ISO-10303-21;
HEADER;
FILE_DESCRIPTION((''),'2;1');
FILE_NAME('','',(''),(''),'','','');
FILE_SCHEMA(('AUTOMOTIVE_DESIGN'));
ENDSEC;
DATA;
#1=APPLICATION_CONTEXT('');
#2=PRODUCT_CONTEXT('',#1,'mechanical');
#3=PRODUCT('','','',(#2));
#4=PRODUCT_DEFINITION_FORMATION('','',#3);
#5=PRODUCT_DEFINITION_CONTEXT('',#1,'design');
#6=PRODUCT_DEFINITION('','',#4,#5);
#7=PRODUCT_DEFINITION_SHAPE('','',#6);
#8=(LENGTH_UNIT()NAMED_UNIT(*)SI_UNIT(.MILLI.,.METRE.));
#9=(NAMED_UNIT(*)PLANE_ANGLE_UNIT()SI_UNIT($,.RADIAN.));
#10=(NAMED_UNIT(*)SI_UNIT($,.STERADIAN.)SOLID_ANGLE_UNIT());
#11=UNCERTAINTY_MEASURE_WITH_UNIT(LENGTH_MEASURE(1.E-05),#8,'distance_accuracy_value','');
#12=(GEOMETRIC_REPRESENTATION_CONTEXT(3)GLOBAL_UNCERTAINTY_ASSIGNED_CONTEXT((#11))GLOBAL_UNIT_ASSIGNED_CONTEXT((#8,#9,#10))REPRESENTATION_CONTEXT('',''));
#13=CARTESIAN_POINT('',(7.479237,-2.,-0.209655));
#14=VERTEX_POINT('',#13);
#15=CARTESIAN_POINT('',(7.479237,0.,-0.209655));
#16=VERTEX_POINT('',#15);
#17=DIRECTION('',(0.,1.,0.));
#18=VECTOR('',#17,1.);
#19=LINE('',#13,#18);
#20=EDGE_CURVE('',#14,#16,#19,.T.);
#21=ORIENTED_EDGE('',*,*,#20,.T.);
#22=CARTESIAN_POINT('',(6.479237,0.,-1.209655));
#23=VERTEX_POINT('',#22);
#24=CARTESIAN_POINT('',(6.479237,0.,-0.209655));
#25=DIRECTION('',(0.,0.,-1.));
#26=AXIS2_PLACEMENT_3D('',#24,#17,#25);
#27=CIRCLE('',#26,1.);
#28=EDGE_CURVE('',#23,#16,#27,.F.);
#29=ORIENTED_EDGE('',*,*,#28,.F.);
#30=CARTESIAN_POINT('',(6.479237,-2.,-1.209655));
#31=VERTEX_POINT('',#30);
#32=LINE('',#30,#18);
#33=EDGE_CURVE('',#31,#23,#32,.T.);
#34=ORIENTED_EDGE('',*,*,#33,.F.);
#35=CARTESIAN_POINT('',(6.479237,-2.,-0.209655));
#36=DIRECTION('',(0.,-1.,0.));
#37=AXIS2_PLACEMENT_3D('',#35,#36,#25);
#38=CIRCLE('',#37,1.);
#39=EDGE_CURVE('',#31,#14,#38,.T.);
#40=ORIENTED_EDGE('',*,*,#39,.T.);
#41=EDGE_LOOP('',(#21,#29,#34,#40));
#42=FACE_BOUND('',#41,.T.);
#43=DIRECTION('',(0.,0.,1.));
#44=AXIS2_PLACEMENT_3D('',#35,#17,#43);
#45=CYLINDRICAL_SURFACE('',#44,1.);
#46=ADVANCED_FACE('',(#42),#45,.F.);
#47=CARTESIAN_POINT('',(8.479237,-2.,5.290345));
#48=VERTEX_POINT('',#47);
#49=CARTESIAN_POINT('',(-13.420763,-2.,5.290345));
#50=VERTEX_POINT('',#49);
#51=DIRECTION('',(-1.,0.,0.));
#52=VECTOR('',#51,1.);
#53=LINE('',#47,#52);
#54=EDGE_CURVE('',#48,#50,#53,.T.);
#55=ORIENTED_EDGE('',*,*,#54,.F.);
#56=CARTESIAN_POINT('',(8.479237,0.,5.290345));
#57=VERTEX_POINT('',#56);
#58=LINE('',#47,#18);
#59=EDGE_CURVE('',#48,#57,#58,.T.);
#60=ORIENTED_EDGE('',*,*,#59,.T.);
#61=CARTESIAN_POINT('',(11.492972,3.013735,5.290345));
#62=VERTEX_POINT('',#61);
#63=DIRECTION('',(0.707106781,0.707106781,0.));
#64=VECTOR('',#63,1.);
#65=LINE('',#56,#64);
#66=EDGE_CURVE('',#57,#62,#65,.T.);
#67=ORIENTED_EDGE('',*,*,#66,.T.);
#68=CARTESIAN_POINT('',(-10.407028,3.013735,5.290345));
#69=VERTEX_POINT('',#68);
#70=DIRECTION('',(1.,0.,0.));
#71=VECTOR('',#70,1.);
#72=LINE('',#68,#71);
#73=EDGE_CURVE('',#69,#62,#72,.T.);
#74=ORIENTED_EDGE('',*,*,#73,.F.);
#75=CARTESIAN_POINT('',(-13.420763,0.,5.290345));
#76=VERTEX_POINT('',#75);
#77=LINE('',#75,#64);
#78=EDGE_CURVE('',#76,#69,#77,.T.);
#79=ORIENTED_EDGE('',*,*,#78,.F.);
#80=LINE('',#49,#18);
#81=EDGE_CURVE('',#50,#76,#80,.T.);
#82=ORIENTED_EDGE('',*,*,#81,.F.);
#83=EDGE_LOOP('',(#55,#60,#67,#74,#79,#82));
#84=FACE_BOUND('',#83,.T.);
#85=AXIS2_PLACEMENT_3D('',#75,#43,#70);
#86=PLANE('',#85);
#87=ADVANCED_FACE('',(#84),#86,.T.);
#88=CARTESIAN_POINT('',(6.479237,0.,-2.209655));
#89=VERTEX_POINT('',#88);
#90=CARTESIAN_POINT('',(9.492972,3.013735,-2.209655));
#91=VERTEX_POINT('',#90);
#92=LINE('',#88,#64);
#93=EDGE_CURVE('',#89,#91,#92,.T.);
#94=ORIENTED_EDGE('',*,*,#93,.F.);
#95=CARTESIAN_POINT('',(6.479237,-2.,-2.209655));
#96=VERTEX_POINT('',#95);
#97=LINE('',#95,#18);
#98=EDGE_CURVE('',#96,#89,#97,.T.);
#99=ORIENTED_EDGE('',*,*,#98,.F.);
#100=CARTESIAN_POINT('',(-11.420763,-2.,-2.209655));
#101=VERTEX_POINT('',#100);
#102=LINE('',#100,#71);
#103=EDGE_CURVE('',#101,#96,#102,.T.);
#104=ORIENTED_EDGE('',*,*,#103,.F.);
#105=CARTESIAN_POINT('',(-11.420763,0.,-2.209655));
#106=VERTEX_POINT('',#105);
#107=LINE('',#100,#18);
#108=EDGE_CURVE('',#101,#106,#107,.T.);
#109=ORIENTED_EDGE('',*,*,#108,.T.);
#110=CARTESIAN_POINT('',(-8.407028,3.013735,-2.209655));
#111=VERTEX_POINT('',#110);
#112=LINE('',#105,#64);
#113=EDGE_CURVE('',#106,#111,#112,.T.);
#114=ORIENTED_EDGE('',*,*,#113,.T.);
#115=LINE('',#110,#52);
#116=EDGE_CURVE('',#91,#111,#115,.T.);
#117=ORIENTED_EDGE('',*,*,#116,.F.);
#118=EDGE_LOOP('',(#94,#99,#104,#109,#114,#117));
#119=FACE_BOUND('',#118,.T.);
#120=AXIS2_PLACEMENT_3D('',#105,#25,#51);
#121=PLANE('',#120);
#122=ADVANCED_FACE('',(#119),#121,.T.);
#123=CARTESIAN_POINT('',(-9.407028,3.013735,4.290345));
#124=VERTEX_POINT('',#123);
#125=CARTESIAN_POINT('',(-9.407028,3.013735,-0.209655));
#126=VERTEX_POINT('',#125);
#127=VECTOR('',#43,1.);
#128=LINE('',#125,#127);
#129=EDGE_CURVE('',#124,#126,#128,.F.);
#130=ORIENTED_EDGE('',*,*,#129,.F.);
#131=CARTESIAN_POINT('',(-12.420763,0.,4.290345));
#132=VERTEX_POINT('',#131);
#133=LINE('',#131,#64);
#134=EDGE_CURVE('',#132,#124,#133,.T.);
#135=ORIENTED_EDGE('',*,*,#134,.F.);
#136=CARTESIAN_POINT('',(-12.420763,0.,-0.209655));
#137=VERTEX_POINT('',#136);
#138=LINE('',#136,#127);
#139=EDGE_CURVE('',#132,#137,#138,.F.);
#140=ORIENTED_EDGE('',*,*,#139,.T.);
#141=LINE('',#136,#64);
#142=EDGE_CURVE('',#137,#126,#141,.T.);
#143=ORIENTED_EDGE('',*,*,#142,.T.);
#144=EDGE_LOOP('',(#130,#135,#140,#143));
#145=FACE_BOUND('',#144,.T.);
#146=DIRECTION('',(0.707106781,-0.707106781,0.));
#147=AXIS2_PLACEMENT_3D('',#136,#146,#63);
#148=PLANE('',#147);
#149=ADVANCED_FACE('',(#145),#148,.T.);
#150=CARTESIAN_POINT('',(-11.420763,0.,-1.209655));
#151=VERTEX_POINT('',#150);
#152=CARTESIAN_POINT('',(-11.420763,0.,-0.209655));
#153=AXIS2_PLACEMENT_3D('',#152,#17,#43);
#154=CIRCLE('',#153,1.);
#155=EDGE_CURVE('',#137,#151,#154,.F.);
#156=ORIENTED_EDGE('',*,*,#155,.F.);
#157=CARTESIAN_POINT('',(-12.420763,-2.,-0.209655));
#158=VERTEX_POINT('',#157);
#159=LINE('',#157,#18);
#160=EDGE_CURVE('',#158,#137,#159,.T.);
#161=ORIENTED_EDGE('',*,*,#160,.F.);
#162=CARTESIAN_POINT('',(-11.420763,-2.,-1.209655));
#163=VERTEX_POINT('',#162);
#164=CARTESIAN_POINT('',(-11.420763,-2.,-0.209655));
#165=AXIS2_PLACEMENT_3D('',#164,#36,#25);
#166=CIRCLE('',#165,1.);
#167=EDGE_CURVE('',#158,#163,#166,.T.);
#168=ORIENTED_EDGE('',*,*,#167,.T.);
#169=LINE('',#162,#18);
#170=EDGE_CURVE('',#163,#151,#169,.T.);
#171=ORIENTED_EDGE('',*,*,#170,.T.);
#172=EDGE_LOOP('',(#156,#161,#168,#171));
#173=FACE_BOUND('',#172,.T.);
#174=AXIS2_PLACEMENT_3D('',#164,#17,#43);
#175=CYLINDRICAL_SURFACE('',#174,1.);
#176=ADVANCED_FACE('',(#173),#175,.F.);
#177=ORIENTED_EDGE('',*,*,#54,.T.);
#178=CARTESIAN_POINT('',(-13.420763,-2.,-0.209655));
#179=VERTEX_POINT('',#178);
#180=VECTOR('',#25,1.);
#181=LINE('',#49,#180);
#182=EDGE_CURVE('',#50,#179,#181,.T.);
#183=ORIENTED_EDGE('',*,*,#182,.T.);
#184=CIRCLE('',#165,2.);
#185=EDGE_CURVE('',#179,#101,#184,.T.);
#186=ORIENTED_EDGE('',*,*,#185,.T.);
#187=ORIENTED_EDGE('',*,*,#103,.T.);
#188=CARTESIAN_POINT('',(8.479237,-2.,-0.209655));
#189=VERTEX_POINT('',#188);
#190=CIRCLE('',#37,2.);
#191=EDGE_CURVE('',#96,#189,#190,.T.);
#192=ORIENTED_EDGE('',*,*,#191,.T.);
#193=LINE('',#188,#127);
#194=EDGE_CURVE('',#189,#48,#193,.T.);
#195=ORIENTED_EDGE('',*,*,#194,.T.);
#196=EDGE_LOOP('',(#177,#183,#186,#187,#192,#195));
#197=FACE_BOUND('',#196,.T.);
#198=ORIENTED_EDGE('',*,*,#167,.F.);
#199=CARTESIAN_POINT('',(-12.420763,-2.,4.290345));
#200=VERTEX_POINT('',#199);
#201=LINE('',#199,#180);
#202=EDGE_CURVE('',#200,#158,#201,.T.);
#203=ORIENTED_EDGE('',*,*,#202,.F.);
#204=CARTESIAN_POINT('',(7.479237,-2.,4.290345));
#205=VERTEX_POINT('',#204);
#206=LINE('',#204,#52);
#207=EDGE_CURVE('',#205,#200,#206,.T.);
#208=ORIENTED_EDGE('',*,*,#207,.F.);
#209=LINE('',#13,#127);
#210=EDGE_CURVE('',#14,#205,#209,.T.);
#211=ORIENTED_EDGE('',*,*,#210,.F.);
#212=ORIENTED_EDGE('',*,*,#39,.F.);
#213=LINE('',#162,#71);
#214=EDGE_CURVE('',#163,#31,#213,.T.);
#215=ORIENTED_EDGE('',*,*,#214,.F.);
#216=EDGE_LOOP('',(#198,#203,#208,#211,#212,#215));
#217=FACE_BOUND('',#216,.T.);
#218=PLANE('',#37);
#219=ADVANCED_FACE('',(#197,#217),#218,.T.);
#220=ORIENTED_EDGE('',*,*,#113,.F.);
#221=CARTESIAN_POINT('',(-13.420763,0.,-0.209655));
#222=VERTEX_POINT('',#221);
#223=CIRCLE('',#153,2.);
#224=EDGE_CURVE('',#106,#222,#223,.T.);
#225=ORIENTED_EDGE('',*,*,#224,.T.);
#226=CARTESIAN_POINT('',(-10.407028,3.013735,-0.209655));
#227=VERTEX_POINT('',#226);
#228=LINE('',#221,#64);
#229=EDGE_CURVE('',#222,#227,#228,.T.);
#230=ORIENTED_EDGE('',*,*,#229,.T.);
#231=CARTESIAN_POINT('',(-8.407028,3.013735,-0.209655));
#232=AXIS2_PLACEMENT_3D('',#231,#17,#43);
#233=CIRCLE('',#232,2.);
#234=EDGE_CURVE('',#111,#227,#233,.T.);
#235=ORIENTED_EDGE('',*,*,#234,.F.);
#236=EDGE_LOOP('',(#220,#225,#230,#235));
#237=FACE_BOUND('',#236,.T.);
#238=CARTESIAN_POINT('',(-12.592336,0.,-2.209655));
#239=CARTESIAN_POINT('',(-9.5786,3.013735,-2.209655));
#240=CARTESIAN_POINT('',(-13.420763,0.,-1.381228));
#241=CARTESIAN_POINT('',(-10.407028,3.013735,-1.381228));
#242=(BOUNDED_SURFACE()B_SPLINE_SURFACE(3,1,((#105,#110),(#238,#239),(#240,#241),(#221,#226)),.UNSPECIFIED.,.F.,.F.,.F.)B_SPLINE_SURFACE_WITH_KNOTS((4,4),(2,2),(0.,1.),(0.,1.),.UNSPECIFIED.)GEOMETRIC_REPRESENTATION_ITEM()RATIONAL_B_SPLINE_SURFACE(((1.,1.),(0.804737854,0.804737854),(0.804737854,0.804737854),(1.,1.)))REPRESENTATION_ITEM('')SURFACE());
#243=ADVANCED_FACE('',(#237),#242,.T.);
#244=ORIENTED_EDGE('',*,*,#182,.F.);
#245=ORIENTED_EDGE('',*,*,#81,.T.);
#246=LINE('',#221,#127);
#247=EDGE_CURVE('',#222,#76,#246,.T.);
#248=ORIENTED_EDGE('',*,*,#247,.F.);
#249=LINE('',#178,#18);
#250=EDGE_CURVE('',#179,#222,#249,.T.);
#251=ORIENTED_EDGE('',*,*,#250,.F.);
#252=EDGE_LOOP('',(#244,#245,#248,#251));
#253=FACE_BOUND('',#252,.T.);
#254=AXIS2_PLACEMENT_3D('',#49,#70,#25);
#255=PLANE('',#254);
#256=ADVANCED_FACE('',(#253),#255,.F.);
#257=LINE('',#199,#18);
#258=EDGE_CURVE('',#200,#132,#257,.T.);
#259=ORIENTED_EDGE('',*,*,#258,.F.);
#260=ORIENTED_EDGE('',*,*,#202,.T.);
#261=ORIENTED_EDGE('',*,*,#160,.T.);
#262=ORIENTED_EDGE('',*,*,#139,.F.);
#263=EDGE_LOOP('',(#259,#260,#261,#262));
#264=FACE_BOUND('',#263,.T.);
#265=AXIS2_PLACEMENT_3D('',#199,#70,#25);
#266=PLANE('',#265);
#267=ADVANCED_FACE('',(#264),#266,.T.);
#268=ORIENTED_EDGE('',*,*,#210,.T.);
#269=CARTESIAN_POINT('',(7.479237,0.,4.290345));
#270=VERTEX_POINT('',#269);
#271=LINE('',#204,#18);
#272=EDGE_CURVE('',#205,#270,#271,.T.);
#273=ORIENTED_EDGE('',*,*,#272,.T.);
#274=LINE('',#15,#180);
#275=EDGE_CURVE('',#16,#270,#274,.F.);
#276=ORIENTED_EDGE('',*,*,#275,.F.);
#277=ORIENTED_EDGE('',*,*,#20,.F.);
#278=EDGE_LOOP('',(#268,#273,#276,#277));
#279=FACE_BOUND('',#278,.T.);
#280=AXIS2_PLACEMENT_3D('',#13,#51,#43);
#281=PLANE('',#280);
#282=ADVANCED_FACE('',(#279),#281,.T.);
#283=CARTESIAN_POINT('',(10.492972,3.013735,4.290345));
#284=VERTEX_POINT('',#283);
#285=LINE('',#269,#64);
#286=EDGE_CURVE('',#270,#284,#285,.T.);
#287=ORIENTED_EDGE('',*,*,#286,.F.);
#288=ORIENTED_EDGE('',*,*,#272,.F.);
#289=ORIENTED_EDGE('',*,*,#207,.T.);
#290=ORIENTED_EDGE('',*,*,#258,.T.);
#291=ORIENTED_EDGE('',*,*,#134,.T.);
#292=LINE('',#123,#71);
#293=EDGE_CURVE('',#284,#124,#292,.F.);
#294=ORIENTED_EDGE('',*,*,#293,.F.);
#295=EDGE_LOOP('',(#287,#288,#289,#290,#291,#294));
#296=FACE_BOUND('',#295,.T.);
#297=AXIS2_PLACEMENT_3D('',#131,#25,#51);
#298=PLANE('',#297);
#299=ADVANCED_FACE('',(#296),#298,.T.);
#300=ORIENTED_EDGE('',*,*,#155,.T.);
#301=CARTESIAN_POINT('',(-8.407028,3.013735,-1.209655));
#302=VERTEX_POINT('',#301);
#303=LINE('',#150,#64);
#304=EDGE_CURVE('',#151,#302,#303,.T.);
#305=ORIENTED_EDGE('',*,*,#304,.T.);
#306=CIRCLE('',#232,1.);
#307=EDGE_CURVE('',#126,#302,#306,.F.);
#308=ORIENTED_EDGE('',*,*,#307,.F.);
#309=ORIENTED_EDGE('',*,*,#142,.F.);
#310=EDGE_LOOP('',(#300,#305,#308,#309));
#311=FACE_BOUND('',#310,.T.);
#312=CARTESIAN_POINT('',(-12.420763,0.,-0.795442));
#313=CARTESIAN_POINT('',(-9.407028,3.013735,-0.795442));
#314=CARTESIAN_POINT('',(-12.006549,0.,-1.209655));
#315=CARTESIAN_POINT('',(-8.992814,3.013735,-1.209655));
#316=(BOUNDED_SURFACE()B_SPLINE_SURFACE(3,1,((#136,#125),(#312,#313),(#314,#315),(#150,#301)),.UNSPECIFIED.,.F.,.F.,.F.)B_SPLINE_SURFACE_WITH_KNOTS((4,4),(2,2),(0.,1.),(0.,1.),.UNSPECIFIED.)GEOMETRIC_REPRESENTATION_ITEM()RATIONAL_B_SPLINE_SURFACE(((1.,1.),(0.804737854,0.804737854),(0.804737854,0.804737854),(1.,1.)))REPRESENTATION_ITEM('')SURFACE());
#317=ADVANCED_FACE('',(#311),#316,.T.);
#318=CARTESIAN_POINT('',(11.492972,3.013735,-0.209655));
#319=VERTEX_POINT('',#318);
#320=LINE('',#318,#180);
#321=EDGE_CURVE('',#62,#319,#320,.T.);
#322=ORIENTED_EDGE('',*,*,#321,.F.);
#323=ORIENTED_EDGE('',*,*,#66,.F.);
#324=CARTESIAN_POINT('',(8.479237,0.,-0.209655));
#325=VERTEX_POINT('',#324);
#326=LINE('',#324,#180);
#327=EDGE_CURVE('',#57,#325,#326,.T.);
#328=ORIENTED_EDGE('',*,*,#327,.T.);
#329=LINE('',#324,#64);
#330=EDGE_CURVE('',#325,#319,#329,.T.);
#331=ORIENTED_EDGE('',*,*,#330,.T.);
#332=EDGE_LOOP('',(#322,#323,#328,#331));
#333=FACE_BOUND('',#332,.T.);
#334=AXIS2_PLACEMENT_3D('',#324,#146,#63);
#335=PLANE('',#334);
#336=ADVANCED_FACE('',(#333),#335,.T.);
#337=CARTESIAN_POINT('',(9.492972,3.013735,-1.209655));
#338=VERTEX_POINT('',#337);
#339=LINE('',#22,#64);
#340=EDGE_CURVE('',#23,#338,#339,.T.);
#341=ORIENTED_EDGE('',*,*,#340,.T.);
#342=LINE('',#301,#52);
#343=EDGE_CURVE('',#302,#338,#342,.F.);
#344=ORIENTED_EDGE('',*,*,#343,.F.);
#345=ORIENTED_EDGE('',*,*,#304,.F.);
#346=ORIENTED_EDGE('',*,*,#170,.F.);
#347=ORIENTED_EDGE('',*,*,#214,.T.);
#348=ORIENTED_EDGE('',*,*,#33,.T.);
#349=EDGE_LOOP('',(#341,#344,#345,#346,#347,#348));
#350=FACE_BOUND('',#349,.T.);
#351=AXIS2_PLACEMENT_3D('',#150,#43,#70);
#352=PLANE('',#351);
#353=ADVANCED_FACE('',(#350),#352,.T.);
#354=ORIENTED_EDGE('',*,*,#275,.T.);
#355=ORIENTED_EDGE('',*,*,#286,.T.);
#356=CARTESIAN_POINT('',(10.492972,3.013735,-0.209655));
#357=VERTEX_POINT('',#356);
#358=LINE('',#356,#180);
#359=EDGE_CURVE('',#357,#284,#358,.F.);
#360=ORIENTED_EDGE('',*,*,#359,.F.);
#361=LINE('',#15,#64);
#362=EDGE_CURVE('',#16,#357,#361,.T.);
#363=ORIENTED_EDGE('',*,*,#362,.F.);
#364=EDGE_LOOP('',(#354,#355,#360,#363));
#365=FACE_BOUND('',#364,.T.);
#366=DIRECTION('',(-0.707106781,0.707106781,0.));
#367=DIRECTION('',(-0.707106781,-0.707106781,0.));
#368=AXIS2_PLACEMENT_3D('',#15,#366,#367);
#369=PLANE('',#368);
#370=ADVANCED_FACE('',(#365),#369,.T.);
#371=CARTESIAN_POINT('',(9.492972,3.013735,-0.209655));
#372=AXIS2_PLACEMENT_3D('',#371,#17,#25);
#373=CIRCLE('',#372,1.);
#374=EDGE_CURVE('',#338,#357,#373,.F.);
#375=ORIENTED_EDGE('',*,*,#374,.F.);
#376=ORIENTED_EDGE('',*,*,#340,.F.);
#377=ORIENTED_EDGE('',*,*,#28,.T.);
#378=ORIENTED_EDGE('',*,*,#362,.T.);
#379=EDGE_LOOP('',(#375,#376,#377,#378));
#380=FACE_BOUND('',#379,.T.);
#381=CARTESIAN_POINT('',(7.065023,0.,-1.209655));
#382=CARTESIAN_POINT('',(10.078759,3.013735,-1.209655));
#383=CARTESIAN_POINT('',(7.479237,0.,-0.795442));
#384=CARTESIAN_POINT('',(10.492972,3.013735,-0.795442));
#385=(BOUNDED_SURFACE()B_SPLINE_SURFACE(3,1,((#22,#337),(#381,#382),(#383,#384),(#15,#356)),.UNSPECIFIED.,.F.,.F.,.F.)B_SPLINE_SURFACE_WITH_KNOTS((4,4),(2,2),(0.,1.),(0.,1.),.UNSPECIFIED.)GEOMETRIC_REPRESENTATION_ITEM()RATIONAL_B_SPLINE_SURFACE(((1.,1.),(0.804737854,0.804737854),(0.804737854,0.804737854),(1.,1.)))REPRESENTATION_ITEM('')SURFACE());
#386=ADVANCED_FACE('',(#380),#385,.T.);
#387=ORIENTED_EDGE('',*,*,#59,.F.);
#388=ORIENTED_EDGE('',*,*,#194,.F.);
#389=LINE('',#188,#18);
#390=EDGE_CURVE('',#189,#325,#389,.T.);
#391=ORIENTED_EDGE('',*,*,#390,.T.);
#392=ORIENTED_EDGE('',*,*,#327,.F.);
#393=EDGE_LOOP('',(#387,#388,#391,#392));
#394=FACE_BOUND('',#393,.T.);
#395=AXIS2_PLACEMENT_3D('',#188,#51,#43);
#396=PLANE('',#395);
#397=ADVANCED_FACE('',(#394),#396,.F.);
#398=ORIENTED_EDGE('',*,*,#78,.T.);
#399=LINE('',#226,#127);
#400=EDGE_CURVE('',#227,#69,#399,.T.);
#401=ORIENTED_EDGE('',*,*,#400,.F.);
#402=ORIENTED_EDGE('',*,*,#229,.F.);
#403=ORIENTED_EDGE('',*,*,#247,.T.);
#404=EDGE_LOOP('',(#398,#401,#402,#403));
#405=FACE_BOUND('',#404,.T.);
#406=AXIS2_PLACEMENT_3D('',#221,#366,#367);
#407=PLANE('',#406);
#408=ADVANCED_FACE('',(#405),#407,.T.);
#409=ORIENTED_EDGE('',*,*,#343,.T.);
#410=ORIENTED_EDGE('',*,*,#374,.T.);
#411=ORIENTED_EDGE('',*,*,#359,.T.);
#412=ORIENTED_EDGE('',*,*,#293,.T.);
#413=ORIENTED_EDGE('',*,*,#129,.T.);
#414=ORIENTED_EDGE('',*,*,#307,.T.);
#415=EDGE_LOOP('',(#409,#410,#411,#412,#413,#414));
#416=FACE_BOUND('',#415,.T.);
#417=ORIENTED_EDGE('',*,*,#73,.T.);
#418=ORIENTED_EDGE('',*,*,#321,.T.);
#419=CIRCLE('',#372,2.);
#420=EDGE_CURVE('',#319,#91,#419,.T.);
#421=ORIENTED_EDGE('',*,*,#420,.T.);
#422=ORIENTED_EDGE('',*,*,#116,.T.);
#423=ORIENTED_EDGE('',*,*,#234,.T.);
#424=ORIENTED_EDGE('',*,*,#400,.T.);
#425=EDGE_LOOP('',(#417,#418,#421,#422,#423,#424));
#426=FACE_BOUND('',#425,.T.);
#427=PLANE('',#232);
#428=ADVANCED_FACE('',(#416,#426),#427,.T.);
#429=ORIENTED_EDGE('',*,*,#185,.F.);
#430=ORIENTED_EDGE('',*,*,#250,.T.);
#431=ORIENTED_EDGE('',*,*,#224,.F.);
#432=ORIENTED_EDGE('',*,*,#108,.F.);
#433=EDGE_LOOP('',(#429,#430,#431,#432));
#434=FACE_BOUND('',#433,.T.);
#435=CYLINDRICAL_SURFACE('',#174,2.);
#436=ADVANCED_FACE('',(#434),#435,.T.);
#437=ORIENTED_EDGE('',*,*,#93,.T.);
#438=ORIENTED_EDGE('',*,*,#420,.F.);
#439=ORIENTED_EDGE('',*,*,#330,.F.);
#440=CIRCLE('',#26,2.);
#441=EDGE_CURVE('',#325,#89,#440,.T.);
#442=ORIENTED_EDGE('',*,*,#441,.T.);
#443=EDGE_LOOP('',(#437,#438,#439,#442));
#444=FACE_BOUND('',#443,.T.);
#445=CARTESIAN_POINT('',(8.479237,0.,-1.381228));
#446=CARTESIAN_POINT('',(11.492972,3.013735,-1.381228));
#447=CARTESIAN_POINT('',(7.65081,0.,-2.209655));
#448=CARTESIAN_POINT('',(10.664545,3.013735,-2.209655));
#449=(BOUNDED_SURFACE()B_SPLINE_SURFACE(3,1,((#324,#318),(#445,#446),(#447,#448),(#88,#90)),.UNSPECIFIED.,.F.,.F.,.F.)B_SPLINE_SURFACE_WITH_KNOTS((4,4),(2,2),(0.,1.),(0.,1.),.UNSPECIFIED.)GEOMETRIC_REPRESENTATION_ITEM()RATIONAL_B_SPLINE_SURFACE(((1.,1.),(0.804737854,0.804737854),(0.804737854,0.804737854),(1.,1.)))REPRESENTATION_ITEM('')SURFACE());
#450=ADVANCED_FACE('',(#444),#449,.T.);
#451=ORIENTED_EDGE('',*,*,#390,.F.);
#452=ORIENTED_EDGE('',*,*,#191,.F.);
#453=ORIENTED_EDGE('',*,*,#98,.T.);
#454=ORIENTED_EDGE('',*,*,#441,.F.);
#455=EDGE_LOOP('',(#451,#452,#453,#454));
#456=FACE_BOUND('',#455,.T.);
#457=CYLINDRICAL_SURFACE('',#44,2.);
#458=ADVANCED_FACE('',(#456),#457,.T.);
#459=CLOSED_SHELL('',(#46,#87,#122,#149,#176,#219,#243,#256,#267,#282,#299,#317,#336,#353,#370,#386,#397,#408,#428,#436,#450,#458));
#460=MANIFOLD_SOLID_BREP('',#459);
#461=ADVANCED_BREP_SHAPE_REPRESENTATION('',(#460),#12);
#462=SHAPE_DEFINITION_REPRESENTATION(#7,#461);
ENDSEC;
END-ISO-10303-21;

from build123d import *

# Parameters (mm, degrees)
EXTRUDE_2_DEPTH = 2


with BuildPart() as part:
    # По траектории1: sweep along a path in Эскиз2
    with BuildLine(Plane.XY) as sweep_1_path:
        Line((-13.420763014, 0), (-10.40702754, 3.013735474))
    # Эскиз1 → По траектории1 (sweep)
    with BuildSketch(Plane(origin=(0, 0, 0), x_dir=(1, 0, 0), z_dir=(0, 1, 0))):
        with BuildLine():
            Line((-11.420763014, 2.209655172), (6.479236986, 2.209655172))
            ThreePointArc((6.479236986, 2.209655172), (7.893450549, 1.623868735), (8.479236986, 0.209655172))
            Line((8.479236986, 0.209655172), (8.479236986, -5.290344828))
            Line((8.479236986, -5.290344828), (-13.420763014, -5.290344828))
            Line((-13.420763014, -5.290344828), (-13.420763014, 0.209655172))
            ThreePointArc((-13.420763014, 0.209655172), (-12.834976576, 1.623868735), (-11.420763014, 2.209655172))
        make_face()
        with BuildLine():
            Line((-11.420763014, 1.209655172), (6.479236986, 1.209655172))
            ThreePointArc((6.479236986, 1.209655172), (7.186343768, 0.916761954), (7.479236986, 0.209655172))
            Line((7.479236986, 0.209655172), (7.479236986, -4.290344828))
            Line((7.479236986, -4.290344828), (-12.420763014, -4.290344828))
            Line((-12.420763014, -4.290344828), (-12.420763014, 0.209655172))
            ThreePointArc((-12.420763014, 0.209655172), (-12.127869795, 0.916761954), (-11.420763014, 1.209655172))
        make_face(mode=Mode.SUBTRACT)
    sweep(path=sweep_1_path.line)

    # Эскиз3 → Бобышка-Вытянуть2 (add)
    with BuildSketch(Plane.XZ):
        with BuildLine():
            Line((8.479236986, -0.209655172), (8.479236986, 5.290344828))
            Line((8.479236986, 5.290344828), (-13.420763014, 5.290344828))
            Line((-13.420763014, 5.290344828), (-13.420763014, -0.209655172))
            ThreePointArc((-13.420763014, -0.209655172), (-12.834976576, -1.623868735), (-11.420763014, -2.209655172))
            Line((-11.420763014, -2.209655172), (6.479236986, -2.209655172))
            ThreePointArc((6.479236986, -2.209655172), (7.893450549, -1.623868735), (8.479236986, -0.209655172))
        make_face()
        with BuildLine():
            Line((7.479236986, -0.209655172), (7.479236986, 4.290344828))
            Line((7.479236986, 4.290344828), (-12.420763014, 4.290344828))
            Line((-12.420763014, 4.290344828), (-12.420763014, -0.209655172))
            ThreePointArc((-12.420763014, -0.209655172), (-12.127869795, -0.916761954), (-11.420763014, -1.209655172))
            Line((-11.420763014, -1.209655172), (6.479236986, -1.209655172))
            ThreePointArc((6.479236986, -1.209655172), (7.186343768, -0.916761954), (7.479236986, -0.209655172))
        make_face(mode=Mode.SUBTRACT)
    extrude(amount=EXTRUDE_2_DEPTH)


solid = part.part
